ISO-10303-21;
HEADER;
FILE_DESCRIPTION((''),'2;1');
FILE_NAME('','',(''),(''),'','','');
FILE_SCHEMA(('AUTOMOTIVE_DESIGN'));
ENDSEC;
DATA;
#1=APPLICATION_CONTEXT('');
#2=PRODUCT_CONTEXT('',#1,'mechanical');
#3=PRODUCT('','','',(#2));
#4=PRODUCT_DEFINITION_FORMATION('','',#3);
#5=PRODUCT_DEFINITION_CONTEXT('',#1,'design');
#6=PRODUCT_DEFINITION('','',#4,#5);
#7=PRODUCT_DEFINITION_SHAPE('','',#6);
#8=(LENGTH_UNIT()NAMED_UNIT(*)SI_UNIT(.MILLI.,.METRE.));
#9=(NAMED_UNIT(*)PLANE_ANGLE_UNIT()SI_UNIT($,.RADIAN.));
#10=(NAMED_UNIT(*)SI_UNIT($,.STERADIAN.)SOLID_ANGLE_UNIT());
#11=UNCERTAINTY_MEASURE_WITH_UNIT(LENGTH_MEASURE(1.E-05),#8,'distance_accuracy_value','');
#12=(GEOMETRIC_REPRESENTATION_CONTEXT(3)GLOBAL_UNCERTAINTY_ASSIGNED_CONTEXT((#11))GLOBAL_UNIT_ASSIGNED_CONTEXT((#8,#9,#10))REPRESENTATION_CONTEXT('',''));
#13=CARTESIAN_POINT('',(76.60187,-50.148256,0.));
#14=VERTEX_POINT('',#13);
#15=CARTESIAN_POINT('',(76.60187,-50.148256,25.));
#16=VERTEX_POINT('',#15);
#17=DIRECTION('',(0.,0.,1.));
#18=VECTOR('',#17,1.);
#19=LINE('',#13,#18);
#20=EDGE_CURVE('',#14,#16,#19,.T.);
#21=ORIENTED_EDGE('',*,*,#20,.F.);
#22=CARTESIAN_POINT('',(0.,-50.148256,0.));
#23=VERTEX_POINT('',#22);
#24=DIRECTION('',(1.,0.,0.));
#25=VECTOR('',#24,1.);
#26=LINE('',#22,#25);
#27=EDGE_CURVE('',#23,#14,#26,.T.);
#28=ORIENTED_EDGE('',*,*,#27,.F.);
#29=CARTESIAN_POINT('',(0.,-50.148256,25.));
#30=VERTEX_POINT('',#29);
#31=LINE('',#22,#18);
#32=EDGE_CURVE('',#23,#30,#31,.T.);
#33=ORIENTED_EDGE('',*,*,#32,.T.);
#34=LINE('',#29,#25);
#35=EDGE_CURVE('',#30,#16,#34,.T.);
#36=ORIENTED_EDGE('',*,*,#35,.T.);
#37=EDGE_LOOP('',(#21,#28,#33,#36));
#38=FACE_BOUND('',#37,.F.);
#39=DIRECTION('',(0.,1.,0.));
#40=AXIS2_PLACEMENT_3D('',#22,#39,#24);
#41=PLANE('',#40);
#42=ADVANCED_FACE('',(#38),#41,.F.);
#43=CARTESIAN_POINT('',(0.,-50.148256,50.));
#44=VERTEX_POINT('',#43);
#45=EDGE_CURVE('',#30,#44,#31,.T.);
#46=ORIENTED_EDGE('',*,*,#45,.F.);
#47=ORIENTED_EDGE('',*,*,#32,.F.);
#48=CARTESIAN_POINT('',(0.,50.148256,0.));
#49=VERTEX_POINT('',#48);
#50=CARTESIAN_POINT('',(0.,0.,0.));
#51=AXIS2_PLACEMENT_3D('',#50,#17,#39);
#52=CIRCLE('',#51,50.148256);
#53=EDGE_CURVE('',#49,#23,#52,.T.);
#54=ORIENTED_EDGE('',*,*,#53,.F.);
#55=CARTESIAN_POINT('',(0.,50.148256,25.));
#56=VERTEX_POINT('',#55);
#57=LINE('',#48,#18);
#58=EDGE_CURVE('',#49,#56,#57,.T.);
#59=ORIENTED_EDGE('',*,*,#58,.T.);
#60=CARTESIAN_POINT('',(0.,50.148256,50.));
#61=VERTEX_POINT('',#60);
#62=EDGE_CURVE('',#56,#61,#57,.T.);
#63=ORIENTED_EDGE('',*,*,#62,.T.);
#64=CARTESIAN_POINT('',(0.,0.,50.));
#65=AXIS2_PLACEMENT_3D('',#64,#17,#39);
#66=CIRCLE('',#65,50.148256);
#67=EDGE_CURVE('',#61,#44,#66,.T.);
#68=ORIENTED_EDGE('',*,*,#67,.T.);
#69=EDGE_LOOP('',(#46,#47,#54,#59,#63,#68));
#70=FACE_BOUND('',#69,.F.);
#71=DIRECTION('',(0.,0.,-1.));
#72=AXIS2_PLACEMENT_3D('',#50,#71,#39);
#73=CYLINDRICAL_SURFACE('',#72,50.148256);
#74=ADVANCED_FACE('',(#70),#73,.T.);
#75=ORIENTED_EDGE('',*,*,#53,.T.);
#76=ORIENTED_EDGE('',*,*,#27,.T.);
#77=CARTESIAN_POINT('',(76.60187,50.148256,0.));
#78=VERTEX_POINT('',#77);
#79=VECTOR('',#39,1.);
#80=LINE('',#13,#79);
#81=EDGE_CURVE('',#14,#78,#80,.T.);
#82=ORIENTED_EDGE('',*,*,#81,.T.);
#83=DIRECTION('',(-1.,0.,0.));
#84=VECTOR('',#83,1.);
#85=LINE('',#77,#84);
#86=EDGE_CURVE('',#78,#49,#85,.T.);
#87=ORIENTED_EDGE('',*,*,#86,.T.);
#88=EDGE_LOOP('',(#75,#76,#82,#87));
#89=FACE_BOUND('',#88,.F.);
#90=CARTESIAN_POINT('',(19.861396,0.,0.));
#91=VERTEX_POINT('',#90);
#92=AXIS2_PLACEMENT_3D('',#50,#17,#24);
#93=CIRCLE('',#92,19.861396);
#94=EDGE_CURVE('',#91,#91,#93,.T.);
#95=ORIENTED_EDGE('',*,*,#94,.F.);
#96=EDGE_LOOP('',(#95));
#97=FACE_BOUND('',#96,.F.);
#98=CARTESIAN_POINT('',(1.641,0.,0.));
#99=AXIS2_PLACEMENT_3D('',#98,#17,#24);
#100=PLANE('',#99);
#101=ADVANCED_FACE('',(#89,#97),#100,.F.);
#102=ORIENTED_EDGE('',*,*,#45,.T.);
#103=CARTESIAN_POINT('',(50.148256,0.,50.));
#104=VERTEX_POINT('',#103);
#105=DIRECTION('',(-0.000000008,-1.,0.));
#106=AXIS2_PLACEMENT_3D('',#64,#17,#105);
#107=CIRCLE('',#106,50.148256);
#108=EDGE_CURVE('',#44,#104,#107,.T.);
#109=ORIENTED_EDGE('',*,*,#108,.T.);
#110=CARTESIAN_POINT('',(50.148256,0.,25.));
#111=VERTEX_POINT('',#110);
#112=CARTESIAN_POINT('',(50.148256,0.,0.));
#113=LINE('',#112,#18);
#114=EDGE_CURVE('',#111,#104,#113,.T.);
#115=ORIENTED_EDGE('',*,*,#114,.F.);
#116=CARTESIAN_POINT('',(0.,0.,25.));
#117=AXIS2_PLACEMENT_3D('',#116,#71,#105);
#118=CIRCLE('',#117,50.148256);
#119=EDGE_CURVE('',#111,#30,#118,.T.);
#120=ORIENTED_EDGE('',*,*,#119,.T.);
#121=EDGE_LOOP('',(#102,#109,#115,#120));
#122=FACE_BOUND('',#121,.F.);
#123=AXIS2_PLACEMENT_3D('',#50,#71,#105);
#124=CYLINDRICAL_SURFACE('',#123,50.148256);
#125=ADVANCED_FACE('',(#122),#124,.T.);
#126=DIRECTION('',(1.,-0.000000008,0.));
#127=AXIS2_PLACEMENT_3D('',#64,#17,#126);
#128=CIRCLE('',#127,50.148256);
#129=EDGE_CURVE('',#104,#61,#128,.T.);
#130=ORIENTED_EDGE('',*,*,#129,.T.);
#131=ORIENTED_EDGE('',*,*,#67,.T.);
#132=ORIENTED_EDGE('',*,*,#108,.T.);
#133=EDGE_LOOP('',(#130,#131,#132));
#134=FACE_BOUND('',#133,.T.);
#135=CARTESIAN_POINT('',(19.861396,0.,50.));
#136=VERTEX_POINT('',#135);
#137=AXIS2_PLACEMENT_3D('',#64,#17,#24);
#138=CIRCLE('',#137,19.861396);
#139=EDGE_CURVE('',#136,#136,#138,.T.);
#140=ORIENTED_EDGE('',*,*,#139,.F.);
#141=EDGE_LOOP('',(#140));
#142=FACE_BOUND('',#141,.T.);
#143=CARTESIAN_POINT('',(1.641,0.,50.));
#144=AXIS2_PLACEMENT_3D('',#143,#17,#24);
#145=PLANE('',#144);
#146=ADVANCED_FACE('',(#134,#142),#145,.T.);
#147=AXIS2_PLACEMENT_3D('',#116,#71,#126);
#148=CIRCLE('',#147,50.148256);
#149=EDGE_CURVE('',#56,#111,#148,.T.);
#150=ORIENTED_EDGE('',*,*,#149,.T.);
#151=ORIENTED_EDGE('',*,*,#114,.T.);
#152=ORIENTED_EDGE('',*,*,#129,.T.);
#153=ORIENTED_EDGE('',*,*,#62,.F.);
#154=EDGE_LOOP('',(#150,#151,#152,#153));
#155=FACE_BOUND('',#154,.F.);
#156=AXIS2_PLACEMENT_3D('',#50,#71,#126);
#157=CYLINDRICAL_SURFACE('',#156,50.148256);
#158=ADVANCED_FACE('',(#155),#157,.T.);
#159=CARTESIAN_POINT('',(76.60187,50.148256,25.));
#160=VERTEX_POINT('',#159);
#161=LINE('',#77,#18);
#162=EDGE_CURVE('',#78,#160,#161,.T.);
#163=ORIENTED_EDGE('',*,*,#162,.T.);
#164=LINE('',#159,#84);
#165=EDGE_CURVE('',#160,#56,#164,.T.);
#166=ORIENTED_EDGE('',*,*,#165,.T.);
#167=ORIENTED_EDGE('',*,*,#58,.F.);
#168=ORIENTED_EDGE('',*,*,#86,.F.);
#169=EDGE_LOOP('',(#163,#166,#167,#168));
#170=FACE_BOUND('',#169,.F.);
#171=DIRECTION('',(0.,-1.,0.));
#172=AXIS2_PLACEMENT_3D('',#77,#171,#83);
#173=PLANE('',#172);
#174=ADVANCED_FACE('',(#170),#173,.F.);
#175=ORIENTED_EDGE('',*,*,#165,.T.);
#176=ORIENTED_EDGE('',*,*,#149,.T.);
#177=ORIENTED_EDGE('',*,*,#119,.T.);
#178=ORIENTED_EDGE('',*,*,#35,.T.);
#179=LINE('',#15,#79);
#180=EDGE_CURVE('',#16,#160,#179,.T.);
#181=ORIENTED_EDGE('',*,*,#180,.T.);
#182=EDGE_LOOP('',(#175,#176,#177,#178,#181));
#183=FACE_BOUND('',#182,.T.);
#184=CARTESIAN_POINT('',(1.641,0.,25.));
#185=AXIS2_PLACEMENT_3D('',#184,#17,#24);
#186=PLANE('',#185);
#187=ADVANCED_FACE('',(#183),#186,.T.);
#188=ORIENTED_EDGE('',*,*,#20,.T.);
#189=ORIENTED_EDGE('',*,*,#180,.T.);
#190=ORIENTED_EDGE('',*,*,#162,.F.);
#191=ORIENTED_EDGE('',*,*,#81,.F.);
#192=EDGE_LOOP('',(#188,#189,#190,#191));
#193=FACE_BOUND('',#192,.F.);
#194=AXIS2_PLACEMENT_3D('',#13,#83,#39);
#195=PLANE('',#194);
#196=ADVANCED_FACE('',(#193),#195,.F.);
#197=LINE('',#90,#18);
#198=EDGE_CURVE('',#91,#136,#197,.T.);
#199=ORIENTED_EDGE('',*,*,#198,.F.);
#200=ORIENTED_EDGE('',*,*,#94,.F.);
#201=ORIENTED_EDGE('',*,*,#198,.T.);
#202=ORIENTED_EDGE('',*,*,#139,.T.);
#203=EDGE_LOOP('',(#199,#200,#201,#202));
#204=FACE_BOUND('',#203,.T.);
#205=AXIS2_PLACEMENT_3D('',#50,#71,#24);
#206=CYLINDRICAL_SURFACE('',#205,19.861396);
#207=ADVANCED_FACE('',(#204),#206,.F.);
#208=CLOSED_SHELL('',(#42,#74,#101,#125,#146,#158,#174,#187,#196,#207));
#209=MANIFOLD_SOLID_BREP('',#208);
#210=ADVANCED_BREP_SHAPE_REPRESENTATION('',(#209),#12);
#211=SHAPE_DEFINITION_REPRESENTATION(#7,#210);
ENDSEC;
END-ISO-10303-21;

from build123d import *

# Parameters (mm, degrees)
F0_R     = 19.861396
F1_DEPTH = 50
F2_DEPTH = 25


with BuildPart() as f1:
    # F0 (on Top) → F1 (new body)
    with BuildSketch(Plane.XY):
        with BuildLine():
            ThreePointArc((0, -50.148256), (35.460172, -35.460172), (50.148256, 0))
            ThreePointArc((50.148256, 0), (35.460172, 35.460172), (0, 50.148256))
            ThreePointArc((0, 50.148256), (-50.148256, 0), (0, -50.148256))
        make_face()
        Circle(F0_R, mode=Mode.SUBTRACT)
    extrude(amount=F1_DEPTH)

    # F0 (on Top) → F2 (join)
    with BuildSketch(Plane.XY):
        with BuildLine():
            ThreePointArc((0, -50.148256), (35.460172, -35.460172), (50.148256, 0))
            ThreePointArc((50.148256, 0), (35.460172, 35.460172), (0, 50.148256))
            ThreePointArc((0, 50.148256), (-50.148256, 0), (0, -50.148256))
        make_face()
        Circle(F0_R, mode=Mode.SUBTRACT)
        with BuildLine():
            ThreePointArc((0, 50.148256), (35.460172, 35.460172), (50.148256, 0))
            ThreePointArc((50.148256, 0), (35.460172, -35.460172), (0, -50.148256))
            Line((0, -50.148256), (76.60187, -50.148256))
            Line((76.60187, -50.148256), (76.60187, 50.148256))
            Line((76.60187, 50.148256), (0, 50.148256))
        make_face()
    extrude(amount=F2_DEPTH)


solid = f1.part
